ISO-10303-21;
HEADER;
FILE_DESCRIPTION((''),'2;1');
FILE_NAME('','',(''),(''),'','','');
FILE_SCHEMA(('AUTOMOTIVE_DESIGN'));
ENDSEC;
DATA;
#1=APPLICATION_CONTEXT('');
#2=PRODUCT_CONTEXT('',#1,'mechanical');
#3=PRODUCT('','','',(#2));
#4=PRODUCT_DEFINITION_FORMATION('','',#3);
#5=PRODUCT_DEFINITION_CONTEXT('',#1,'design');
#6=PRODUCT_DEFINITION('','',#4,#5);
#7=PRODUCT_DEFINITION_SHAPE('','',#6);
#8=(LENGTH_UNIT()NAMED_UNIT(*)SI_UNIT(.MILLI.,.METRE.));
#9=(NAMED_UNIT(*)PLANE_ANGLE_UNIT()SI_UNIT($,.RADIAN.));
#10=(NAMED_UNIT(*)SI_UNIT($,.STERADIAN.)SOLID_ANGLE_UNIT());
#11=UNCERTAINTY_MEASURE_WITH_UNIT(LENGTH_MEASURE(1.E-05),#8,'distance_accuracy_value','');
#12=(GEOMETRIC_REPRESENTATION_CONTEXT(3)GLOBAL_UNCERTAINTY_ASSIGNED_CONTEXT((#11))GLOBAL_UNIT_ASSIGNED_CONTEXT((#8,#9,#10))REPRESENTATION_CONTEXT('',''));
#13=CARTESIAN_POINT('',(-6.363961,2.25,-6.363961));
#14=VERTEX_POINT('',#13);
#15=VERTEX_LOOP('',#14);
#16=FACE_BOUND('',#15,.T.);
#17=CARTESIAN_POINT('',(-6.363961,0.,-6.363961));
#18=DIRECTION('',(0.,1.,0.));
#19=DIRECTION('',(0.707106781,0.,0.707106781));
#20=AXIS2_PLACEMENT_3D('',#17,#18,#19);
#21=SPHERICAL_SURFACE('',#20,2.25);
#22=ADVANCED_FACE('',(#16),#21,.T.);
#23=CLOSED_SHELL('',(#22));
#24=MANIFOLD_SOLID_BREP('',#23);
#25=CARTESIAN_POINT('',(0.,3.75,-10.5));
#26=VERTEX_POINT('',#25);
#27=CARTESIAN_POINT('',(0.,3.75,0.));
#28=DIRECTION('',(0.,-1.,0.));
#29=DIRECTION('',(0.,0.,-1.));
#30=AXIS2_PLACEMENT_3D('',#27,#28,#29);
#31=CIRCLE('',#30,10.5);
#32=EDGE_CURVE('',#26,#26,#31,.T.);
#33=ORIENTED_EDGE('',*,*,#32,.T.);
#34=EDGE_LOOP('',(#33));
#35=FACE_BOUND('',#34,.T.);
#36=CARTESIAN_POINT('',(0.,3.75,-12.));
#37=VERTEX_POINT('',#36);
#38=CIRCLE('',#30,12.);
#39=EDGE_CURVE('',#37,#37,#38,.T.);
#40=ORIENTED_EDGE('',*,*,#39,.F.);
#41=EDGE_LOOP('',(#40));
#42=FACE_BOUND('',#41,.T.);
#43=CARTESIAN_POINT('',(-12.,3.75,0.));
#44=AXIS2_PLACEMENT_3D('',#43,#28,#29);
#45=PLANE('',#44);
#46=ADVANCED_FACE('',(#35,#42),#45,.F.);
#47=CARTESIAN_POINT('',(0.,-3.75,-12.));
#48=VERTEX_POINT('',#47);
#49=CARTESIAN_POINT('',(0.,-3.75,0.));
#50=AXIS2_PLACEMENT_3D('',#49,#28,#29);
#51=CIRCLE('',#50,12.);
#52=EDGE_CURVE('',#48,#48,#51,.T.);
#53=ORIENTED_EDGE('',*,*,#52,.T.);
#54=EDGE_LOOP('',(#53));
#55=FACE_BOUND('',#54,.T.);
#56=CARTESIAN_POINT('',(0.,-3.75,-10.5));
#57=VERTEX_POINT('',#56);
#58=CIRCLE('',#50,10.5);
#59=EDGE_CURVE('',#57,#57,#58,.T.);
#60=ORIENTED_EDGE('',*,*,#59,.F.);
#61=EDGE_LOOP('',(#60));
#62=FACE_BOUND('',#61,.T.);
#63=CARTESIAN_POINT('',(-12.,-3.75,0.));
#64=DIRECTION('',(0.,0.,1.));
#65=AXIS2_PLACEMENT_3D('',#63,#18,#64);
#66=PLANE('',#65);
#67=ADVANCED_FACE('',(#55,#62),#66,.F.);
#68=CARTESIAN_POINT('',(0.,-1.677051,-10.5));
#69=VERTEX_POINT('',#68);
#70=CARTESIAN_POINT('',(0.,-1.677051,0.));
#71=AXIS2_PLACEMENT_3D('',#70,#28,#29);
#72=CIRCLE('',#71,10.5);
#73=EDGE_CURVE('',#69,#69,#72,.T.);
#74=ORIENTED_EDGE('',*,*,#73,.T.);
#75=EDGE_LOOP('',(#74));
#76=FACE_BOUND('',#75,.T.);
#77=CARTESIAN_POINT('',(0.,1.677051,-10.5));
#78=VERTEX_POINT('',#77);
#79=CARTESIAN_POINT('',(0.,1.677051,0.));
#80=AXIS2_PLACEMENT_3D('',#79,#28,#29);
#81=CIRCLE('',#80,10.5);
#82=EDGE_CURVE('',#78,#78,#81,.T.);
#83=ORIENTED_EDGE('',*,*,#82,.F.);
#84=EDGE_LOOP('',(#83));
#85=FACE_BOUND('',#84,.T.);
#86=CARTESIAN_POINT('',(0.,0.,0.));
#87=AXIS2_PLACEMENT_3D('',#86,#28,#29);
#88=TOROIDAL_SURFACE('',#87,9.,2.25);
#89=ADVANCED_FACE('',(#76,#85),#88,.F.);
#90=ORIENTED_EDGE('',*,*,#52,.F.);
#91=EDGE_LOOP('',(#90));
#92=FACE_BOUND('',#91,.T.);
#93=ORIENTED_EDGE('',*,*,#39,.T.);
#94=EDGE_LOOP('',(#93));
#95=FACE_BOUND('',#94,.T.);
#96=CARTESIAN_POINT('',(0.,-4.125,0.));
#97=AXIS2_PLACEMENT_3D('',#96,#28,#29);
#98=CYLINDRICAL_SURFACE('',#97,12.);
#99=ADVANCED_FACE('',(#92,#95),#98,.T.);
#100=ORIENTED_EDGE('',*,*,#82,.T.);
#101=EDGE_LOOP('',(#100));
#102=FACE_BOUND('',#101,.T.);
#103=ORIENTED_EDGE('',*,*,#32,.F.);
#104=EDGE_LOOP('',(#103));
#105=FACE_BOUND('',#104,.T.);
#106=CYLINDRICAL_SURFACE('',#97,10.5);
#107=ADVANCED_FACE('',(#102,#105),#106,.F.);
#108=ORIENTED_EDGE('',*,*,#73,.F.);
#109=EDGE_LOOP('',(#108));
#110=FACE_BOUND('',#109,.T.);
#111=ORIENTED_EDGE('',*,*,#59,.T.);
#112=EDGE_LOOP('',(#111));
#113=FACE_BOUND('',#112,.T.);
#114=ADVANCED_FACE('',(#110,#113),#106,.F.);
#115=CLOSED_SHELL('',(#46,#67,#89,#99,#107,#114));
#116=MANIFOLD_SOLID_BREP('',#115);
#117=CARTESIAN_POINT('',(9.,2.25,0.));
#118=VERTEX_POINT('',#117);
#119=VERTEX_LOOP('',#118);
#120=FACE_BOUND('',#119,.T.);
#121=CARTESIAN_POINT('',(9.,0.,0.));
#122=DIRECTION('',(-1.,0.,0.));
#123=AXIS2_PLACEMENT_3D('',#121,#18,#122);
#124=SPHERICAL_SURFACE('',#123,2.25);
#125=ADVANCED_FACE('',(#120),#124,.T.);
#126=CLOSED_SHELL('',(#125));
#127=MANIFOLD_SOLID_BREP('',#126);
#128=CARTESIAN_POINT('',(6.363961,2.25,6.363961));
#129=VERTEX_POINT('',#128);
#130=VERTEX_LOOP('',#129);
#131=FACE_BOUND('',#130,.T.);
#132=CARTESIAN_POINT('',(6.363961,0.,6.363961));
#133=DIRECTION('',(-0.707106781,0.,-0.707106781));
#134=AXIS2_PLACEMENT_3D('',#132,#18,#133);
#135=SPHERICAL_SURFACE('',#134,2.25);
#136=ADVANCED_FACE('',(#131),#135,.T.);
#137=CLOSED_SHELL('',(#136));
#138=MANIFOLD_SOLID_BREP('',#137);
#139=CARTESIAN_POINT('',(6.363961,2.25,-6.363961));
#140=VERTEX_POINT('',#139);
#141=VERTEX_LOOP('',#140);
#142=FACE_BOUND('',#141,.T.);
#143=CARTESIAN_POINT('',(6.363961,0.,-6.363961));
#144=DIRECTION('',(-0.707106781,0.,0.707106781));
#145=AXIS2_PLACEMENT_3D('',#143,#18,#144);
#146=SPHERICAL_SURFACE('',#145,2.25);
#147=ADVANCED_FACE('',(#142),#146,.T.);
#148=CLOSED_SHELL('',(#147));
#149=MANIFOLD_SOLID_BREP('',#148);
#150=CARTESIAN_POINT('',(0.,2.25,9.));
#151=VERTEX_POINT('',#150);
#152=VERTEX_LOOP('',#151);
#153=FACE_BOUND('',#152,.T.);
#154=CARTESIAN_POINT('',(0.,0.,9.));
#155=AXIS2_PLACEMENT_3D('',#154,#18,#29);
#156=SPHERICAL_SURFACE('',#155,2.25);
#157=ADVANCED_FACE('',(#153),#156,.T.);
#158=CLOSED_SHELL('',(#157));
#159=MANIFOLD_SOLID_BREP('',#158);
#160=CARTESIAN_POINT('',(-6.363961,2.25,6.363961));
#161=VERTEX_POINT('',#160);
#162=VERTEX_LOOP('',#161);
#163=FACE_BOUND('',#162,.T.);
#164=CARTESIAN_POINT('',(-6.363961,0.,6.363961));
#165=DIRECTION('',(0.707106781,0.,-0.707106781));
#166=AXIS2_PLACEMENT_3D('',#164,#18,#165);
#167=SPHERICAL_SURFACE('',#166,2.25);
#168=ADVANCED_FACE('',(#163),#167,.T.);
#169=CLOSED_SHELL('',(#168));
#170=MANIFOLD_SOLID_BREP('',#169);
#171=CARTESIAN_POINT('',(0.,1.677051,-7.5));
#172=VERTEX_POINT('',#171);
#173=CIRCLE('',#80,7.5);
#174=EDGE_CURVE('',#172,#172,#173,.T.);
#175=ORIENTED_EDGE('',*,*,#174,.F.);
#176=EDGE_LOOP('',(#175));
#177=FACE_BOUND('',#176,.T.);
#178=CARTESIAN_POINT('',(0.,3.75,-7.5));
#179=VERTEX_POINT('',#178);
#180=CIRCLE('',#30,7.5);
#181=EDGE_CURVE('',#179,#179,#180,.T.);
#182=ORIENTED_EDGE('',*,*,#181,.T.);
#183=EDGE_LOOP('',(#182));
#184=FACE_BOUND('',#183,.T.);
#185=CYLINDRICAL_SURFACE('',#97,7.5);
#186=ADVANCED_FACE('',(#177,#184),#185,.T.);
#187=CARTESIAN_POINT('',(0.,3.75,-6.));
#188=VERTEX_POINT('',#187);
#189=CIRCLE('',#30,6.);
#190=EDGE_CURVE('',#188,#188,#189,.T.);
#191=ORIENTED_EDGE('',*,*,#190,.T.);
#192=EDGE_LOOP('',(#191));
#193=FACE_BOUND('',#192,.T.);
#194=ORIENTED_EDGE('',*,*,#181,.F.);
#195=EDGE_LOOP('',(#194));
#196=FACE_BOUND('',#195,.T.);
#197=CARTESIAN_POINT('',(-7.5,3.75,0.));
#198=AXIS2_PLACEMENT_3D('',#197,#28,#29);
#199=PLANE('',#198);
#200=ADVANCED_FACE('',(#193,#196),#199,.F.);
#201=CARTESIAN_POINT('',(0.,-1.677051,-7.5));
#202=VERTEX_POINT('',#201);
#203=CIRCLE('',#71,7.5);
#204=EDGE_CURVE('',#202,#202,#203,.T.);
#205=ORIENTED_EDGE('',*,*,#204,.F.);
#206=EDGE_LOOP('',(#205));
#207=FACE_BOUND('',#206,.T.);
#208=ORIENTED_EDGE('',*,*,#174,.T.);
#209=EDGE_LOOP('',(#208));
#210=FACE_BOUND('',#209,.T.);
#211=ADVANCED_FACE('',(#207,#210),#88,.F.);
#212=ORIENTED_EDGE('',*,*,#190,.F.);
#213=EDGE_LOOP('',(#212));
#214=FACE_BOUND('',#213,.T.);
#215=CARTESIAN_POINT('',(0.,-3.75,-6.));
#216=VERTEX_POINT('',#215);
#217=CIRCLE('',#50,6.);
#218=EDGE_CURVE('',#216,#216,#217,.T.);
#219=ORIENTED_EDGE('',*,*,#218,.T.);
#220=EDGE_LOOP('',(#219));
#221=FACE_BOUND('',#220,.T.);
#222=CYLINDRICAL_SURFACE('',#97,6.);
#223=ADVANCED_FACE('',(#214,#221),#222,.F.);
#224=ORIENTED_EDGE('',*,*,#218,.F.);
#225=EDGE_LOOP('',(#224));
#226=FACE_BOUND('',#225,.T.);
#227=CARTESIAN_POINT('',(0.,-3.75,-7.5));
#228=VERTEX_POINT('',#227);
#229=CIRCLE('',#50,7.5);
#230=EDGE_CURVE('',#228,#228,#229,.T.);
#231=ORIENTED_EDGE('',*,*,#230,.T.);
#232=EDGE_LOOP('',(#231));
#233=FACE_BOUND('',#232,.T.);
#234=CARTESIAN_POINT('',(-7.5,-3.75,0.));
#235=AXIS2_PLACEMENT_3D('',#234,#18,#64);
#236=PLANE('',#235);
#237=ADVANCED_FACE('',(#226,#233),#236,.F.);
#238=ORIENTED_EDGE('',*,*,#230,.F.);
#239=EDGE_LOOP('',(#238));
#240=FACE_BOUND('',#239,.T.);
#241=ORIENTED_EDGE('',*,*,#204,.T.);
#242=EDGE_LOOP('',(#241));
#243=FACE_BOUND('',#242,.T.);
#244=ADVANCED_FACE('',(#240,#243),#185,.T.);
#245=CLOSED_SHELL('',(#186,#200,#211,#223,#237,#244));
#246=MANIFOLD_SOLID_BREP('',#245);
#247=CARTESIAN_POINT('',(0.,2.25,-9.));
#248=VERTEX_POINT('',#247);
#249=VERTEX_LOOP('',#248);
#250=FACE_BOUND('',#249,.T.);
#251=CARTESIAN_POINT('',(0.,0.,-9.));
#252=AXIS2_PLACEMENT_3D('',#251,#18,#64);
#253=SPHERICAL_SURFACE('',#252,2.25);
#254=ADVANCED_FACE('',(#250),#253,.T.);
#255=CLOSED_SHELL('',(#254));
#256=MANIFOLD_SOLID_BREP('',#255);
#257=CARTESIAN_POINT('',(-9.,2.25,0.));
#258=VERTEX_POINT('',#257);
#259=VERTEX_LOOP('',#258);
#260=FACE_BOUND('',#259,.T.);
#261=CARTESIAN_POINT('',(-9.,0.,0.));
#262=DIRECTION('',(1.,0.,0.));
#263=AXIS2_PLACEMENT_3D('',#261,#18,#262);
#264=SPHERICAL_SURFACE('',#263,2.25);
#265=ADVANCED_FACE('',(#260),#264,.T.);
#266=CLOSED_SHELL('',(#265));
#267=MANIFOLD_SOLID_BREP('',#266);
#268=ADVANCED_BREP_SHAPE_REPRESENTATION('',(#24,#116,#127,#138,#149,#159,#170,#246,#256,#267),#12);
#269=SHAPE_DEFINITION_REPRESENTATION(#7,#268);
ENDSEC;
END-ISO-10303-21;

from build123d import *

# Parameters (mm, degrees)
CIRPATTERN2_COUNT = 8


with BuildPart() as part:
    # Sketch4 → Revolve4 (revolve)
    with BuildSketch(Plane.XY):
        with BuildLine():
            Line((-9, 2.25), (-9, -2.25))
            ThreePointArc((-9, -2.25), (-11.25, 0), (-9, 2.25))
        make_face()
    revolve(axis=Axis((-9, 2.25, 0), (0, -1, 0)))


with BuildPart() as body_2:
    # Sketch1 → Revolve5 (revolve)
    with BuildSketch(Plane.XY):
        with BuildLine():
            Line((-7.5, 3.75), (-6, 3.75))
            Line((-6, 3.75), (-6, -3.75))
            Line((-6, -3.75), (-7.5, -3.75))
            Line((-7.5, -3.75), (-7.5, -1.677050983))
            ThreePointArc((-7.5, -1.677050983), (-6.75, 0), (-7.5, 1.677050983))
            Line((-7.5, 1.677050983), (-7.5, 3.75))
        make_face()
        with BuildLine():
            Line((-12, 3.75), (-10.5, 3.75))
            Line((-10.5, 3.75), (-10.5, 1.677050983))
            ThreePointArc((-10.5, 1.677050983), (-11.25, 0), (-10.5, -1.677050983))
            Line((-10.5, -1.677050983), (-10.5, -3.75))
            Line((-10.5, -3.75), (-12, -3.75))
            Line((-12, -3.75), (-12, 3.75))
        make_face()
    revolve(axis=Axis((0, -4.125, 0), (0, 1, 0)))


with BuildPart() as cirpattern2_1:
    # CirPattern2: pattern copy
    add(part.part.rotate(Axis((0, 0, 0), (0, 1, 0)), 1 * 360 / CIRPATTERN2_COUNT))


with BuildPart() as cirpattern2_2:
    # CirPattern2: pattern copy
    add(part.part.rotate(Axis((0, 0, 0), (0, 1, 0)), 2 * 360 / CIRPATTERN2_COUNT))


with BuildPart() as cirpattern2_3:
    # CirPattern2: pattern copy
    add(part.part.rotate(Axis((0, 0, 0), (0, 1, 0)), 3 * 360 / CIRPATTERN2_COUNT))


with BuildPart() as cirpattern2_4:
    # CirPattern2: pattern copy
    add(part.part.rotate(Axis((0, 0, 0), (0, 1, 0)), 4 * 360 / CIRPATTERN2_COUNT))


with BuildPart() as cirpattern2_5:
    # CirPattern2: pattern copy
    add(part.part.rotate(Axis((0, 0, 0), (0, 1, 0)), 5 * 360 / CIRPATTERN2_COUNT))


with BuildPart() as cirpattern2_6:
    # CirPattern2: pattern copy
    add(part.part.rotate(Axis((0, 0, 0), (0, 1, 0)), 6 * 360 / CIRPATTERN2_COUNT))


with BuildPart() as cirpattern2_7:
    # CirPattern2: pattern copy
    add(part.part.rotate(Axis((0, 0, 0), (0, 1, 0)), 7 * 360 / CIRPATTERN2_COUNT))


solid = Compound([part.part, body_2.part, cirpattern2_1.part, cirpattern2_2.part, cirpattern2_3.part, cirpattern2_4.part, cirpattern2_5.part, cirpattern2_6.part, cirpattern2_7.part])
